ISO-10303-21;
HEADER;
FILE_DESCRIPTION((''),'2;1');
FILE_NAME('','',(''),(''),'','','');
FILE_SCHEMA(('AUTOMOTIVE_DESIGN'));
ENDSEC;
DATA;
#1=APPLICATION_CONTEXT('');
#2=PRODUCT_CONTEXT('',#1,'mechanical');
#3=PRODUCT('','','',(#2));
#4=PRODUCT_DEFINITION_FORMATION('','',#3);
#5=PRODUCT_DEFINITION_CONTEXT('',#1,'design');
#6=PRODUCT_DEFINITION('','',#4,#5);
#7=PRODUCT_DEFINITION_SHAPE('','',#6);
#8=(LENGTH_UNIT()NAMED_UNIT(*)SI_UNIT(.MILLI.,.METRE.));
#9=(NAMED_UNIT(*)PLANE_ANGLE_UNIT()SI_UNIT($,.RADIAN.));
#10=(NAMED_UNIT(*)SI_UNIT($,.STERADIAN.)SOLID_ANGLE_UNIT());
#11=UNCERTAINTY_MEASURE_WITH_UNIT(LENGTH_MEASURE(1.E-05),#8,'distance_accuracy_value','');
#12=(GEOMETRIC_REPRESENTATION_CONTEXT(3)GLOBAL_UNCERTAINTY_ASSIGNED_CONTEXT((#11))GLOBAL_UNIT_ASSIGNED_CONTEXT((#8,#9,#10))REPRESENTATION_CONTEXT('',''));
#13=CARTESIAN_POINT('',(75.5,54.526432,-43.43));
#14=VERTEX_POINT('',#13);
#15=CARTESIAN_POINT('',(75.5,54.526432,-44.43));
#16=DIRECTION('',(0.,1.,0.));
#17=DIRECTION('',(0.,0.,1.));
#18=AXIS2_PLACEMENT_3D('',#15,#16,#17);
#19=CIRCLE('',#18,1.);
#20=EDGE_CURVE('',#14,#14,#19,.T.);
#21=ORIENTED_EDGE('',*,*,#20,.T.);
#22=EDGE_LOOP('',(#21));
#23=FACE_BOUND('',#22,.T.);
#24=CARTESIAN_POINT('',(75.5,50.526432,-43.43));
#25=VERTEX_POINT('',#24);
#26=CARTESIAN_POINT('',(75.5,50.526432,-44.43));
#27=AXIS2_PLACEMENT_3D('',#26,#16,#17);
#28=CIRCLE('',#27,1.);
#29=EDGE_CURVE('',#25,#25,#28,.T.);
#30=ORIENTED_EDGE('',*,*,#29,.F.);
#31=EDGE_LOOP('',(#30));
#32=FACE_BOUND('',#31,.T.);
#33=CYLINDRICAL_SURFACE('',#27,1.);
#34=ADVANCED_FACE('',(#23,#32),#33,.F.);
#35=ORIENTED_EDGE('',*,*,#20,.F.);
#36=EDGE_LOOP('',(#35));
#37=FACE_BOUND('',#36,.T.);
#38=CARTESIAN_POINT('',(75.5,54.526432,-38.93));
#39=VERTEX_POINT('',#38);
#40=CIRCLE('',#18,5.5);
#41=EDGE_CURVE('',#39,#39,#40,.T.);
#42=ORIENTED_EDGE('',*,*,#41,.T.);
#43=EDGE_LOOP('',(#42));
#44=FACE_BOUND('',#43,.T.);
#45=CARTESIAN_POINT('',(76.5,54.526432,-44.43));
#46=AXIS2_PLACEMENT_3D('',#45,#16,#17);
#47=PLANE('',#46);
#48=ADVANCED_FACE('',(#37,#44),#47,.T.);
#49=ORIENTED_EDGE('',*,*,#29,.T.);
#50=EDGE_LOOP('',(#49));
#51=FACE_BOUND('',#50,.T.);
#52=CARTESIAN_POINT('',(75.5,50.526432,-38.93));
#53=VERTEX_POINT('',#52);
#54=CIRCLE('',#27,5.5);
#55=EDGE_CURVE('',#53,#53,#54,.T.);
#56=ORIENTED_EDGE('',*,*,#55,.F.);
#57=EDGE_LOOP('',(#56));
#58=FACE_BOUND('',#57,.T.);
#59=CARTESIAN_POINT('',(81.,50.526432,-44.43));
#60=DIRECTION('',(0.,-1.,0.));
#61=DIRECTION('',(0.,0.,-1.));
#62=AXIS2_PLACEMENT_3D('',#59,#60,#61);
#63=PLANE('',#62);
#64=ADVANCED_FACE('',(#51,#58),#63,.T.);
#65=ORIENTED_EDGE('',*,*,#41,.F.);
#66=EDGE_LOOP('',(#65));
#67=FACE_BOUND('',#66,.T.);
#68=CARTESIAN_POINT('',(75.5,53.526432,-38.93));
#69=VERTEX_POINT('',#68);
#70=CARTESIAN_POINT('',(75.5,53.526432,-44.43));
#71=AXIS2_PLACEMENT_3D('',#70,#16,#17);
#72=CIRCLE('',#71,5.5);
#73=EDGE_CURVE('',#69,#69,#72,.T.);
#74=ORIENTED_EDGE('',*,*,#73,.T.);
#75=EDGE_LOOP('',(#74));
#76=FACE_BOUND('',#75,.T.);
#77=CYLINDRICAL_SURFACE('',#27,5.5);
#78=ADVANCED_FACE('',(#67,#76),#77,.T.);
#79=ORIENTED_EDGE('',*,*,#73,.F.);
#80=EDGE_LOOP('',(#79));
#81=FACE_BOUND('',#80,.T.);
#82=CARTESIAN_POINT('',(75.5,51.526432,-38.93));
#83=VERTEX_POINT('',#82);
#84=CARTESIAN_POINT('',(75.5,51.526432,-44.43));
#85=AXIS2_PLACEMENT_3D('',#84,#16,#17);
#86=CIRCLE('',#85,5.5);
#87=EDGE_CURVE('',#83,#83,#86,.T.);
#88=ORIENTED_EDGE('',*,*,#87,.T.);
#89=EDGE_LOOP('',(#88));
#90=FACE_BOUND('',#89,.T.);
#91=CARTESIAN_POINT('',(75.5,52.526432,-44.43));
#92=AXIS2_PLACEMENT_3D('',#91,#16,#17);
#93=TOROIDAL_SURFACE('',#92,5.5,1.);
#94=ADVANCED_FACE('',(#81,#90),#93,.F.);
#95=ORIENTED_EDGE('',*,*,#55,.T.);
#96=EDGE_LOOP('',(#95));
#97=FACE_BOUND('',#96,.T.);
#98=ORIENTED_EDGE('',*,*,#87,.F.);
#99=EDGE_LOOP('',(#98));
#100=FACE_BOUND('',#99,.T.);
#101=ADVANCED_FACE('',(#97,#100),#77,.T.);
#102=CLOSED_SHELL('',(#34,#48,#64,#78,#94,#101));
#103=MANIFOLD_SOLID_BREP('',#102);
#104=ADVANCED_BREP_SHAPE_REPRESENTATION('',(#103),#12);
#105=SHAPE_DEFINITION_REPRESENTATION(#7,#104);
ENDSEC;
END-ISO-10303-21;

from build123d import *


with BuildPart() as part:
    # Croquis1 → Revolución1 (revolve)
    with BuildSketch(Plane(origin=(0, 0, -44.43), x_dir=(-1, 0, 0), z_dir=(0, 0, -1)), mode=Mode.PRIVATE) as revoluci_n1_sk:
        with BuildLine():
            Line((-81, 54.526431985), (-81, 53.526431985))
            ThreePointArc((-81, 53.526431985), (-80, 52.526431985), (-81, 51.526431985))
            Line((-81, 51.526431985), (-81, 50.526431985))
            Line((-81, 50.526431985), (-76.5, 50.526431985))
            Line((-76.5, 50.526431985), (-76.5, 54.526431985))
            Line((-76.5, 54.526431985), (-81, 54.526431985))
        make_face()
    revolve(revoluci_n1_sk.sketch.rotate(Axis((75.5, 50.526431985, -44.43), (0, 1, 0)), 270), axis=Axis((75.5, 50.526431985, -44.43), (0, 1, 0)))


solid = part.part
